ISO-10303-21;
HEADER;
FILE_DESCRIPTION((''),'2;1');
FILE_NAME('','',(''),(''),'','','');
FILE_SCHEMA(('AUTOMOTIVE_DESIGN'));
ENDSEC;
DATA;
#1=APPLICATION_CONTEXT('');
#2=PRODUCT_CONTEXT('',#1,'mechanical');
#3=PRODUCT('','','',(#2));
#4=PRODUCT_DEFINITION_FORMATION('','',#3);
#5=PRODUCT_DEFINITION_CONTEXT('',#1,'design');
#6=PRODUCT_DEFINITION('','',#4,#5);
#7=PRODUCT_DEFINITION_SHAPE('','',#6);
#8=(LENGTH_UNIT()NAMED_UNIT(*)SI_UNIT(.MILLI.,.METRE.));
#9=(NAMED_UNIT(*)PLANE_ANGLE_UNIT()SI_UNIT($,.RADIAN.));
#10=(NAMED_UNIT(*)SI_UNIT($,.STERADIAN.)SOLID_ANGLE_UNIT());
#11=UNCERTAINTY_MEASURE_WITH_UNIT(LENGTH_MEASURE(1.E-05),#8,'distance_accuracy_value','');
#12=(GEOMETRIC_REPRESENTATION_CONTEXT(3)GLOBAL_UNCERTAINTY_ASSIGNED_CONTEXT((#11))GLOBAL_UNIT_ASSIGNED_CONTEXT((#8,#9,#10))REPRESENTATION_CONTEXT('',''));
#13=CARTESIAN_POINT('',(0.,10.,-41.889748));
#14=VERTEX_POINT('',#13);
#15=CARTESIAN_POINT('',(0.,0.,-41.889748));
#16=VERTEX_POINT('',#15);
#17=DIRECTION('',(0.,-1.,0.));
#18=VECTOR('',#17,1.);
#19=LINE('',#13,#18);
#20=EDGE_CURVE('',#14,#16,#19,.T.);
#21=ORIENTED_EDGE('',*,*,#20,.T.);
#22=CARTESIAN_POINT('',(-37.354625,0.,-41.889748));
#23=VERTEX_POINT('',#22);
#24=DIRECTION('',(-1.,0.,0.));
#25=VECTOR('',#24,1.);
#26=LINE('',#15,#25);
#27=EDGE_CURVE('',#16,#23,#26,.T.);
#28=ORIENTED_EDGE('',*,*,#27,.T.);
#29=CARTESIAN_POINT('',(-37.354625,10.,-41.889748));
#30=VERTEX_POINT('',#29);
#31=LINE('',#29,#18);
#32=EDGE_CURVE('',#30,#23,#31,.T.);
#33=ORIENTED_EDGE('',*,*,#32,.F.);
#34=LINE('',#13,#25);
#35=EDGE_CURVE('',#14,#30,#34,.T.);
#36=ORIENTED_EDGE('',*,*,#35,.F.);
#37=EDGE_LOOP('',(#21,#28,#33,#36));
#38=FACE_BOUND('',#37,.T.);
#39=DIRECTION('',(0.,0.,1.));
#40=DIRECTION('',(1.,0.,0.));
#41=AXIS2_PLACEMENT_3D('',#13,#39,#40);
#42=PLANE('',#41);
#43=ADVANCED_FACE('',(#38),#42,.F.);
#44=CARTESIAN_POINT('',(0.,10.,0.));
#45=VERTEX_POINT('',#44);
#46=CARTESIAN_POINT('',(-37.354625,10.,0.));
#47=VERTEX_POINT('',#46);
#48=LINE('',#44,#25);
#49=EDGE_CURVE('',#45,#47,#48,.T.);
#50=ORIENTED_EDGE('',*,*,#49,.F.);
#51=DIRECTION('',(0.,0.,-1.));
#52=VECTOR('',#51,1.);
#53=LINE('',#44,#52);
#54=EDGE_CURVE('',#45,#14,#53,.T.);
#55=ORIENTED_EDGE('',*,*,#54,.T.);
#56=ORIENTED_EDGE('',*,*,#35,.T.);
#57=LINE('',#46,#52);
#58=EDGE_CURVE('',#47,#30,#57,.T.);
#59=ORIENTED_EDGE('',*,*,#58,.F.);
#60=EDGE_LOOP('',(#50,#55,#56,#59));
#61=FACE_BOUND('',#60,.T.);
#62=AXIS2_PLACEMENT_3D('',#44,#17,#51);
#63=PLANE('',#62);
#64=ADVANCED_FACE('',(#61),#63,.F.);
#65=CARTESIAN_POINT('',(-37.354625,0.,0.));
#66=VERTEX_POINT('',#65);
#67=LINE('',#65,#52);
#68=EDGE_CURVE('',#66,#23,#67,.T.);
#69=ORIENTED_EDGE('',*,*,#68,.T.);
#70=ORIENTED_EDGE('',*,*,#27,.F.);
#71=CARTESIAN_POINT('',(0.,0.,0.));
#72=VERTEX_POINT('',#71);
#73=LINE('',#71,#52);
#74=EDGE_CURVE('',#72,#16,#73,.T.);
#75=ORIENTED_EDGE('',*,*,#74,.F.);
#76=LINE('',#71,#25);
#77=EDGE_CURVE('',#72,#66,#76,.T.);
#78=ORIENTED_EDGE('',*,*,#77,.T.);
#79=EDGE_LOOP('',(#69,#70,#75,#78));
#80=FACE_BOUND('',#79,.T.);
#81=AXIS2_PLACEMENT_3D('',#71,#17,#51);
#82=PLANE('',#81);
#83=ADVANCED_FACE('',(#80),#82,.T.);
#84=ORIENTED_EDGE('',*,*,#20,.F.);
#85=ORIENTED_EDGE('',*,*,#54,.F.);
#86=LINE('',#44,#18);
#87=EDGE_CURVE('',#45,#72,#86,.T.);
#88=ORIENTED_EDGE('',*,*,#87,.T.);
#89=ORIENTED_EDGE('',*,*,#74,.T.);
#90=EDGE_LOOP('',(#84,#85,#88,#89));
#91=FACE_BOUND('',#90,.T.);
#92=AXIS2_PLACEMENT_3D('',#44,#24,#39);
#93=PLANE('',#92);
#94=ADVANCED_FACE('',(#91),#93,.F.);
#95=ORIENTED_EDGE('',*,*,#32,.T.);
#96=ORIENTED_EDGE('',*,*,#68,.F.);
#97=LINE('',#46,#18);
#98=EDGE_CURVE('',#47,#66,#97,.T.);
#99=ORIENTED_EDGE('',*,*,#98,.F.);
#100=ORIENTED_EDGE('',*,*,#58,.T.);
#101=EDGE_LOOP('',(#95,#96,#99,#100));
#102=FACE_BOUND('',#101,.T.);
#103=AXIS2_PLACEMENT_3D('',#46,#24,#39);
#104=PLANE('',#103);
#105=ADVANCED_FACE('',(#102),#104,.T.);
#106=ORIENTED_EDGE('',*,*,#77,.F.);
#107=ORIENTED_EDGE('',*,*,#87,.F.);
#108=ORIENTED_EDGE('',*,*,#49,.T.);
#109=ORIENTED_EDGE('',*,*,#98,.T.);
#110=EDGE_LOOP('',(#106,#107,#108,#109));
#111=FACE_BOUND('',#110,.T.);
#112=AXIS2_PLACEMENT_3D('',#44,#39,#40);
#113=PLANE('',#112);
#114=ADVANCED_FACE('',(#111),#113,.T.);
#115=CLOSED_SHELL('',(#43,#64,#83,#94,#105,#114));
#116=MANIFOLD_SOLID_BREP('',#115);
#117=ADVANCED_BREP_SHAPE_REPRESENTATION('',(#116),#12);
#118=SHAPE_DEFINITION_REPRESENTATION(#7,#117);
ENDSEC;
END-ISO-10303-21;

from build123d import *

# Parameters (mm, degrees)
SKETCH_1_W      = 37.35462538
SKETCH_1_H      = 41.889747785
EXTRUDE_1_DEPTH = 10


with BuildPart() as part:
    # Эскиз1 → Бобышка-Вытянуть1 (new body)
    with BuildSketch(Plane(origin=(0, 0, 0), x_dir=(1, 0, 0), z_dir=(0, 1, 0))):
        with Locations((-18.67731269, 20.944873893)):
            Rectangle(SKETCH_1_W, SKETCH_1_H)
    extrude(amount=EXTRUDE_1_DEPTH)


solid = part.part
